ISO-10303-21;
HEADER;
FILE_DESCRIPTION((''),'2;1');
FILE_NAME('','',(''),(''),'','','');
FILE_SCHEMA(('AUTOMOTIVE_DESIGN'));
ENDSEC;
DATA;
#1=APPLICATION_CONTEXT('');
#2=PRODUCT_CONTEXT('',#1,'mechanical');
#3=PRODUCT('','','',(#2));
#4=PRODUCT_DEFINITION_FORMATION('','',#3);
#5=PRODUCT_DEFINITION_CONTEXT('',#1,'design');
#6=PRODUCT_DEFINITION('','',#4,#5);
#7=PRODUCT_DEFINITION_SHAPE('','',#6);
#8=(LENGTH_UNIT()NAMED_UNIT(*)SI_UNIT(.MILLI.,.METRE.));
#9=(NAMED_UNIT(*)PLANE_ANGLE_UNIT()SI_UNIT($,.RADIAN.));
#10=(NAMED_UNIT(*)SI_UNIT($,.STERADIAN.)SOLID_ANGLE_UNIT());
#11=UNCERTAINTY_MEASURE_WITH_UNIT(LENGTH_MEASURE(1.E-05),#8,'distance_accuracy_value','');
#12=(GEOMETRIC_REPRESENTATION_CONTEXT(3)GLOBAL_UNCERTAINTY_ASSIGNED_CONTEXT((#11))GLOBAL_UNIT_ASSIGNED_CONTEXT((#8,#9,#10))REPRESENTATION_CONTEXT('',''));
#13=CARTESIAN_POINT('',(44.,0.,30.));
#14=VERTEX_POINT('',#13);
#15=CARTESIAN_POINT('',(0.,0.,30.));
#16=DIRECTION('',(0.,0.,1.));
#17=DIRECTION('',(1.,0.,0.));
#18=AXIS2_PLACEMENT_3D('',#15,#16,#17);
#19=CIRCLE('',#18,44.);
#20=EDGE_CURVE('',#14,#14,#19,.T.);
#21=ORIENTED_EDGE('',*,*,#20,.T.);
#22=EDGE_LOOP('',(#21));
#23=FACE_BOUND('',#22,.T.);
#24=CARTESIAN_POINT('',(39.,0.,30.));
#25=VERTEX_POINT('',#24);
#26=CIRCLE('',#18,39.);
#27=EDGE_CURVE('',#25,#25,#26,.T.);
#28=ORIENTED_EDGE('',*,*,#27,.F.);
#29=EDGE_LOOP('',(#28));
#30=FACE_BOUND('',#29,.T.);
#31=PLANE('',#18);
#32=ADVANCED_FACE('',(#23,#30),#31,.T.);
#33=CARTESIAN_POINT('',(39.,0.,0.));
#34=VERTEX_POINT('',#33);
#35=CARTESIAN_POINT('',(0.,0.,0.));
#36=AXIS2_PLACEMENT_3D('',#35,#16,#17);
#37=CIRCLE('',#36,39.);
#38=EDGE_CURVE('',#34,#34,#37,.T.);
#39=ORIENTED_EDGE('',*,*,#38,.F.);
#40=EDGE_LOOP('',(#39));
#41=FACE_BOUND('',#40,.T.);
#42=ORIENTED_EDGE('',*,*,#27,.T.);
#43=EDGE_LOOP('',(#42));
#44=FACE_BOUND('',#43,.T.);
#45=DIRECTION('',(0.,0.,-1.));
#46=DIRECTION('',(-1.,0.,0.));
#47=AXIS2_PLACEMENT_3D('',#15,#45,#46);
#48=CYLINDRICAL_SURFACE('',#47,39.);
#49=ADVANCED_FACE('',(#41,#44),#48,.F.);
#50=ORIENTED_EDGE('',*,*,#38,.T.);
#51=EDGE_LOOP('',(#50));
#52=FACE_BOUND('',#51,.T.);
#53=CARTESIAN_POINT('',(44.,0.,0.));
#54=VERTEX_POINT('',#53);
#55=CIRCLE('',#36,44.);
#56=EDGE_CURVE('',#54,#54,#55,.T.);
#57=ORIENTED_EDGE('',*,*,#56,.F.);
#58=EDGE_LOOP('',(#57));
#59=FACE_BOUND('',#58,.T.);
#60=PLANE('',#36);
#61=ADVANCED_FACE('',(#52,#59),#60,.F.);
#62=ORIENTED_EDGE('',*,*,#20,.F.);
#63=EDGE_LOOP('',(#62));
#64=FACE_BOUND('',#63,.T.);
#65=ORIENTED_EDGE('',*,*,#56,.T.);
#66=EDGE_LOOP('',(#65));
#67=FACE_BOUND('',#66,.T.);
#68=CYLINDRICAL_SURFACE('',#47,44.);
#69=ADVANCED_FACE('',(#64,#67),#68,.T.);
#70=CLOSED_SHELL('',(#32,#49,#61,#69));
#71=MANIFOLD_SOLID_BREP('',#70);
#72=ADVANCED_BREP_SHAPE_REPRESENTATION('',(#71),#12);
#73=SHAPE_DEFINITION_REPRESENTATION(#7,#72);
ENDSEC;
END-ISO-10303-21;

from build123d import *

# Parameters (mm, degrees)
ESQUISSE1_R        = 44
ESQUISSE1_R_2      = 39
BOSS_EXTRU_1_DEPTH = 30


with BuildPart() as part:
    # Esquisse1 → Boss.-Extru.1 (new body)
    with BuildSketch(Plane.XY):
        Circle(ESQUISSE1_R)
        Circle(ESQUISSE1_R_2, mode=Mode.SUBTRACT)
    extrude(amount=BOSS_EXTRU_1_DEPTH)


solid = part.part
